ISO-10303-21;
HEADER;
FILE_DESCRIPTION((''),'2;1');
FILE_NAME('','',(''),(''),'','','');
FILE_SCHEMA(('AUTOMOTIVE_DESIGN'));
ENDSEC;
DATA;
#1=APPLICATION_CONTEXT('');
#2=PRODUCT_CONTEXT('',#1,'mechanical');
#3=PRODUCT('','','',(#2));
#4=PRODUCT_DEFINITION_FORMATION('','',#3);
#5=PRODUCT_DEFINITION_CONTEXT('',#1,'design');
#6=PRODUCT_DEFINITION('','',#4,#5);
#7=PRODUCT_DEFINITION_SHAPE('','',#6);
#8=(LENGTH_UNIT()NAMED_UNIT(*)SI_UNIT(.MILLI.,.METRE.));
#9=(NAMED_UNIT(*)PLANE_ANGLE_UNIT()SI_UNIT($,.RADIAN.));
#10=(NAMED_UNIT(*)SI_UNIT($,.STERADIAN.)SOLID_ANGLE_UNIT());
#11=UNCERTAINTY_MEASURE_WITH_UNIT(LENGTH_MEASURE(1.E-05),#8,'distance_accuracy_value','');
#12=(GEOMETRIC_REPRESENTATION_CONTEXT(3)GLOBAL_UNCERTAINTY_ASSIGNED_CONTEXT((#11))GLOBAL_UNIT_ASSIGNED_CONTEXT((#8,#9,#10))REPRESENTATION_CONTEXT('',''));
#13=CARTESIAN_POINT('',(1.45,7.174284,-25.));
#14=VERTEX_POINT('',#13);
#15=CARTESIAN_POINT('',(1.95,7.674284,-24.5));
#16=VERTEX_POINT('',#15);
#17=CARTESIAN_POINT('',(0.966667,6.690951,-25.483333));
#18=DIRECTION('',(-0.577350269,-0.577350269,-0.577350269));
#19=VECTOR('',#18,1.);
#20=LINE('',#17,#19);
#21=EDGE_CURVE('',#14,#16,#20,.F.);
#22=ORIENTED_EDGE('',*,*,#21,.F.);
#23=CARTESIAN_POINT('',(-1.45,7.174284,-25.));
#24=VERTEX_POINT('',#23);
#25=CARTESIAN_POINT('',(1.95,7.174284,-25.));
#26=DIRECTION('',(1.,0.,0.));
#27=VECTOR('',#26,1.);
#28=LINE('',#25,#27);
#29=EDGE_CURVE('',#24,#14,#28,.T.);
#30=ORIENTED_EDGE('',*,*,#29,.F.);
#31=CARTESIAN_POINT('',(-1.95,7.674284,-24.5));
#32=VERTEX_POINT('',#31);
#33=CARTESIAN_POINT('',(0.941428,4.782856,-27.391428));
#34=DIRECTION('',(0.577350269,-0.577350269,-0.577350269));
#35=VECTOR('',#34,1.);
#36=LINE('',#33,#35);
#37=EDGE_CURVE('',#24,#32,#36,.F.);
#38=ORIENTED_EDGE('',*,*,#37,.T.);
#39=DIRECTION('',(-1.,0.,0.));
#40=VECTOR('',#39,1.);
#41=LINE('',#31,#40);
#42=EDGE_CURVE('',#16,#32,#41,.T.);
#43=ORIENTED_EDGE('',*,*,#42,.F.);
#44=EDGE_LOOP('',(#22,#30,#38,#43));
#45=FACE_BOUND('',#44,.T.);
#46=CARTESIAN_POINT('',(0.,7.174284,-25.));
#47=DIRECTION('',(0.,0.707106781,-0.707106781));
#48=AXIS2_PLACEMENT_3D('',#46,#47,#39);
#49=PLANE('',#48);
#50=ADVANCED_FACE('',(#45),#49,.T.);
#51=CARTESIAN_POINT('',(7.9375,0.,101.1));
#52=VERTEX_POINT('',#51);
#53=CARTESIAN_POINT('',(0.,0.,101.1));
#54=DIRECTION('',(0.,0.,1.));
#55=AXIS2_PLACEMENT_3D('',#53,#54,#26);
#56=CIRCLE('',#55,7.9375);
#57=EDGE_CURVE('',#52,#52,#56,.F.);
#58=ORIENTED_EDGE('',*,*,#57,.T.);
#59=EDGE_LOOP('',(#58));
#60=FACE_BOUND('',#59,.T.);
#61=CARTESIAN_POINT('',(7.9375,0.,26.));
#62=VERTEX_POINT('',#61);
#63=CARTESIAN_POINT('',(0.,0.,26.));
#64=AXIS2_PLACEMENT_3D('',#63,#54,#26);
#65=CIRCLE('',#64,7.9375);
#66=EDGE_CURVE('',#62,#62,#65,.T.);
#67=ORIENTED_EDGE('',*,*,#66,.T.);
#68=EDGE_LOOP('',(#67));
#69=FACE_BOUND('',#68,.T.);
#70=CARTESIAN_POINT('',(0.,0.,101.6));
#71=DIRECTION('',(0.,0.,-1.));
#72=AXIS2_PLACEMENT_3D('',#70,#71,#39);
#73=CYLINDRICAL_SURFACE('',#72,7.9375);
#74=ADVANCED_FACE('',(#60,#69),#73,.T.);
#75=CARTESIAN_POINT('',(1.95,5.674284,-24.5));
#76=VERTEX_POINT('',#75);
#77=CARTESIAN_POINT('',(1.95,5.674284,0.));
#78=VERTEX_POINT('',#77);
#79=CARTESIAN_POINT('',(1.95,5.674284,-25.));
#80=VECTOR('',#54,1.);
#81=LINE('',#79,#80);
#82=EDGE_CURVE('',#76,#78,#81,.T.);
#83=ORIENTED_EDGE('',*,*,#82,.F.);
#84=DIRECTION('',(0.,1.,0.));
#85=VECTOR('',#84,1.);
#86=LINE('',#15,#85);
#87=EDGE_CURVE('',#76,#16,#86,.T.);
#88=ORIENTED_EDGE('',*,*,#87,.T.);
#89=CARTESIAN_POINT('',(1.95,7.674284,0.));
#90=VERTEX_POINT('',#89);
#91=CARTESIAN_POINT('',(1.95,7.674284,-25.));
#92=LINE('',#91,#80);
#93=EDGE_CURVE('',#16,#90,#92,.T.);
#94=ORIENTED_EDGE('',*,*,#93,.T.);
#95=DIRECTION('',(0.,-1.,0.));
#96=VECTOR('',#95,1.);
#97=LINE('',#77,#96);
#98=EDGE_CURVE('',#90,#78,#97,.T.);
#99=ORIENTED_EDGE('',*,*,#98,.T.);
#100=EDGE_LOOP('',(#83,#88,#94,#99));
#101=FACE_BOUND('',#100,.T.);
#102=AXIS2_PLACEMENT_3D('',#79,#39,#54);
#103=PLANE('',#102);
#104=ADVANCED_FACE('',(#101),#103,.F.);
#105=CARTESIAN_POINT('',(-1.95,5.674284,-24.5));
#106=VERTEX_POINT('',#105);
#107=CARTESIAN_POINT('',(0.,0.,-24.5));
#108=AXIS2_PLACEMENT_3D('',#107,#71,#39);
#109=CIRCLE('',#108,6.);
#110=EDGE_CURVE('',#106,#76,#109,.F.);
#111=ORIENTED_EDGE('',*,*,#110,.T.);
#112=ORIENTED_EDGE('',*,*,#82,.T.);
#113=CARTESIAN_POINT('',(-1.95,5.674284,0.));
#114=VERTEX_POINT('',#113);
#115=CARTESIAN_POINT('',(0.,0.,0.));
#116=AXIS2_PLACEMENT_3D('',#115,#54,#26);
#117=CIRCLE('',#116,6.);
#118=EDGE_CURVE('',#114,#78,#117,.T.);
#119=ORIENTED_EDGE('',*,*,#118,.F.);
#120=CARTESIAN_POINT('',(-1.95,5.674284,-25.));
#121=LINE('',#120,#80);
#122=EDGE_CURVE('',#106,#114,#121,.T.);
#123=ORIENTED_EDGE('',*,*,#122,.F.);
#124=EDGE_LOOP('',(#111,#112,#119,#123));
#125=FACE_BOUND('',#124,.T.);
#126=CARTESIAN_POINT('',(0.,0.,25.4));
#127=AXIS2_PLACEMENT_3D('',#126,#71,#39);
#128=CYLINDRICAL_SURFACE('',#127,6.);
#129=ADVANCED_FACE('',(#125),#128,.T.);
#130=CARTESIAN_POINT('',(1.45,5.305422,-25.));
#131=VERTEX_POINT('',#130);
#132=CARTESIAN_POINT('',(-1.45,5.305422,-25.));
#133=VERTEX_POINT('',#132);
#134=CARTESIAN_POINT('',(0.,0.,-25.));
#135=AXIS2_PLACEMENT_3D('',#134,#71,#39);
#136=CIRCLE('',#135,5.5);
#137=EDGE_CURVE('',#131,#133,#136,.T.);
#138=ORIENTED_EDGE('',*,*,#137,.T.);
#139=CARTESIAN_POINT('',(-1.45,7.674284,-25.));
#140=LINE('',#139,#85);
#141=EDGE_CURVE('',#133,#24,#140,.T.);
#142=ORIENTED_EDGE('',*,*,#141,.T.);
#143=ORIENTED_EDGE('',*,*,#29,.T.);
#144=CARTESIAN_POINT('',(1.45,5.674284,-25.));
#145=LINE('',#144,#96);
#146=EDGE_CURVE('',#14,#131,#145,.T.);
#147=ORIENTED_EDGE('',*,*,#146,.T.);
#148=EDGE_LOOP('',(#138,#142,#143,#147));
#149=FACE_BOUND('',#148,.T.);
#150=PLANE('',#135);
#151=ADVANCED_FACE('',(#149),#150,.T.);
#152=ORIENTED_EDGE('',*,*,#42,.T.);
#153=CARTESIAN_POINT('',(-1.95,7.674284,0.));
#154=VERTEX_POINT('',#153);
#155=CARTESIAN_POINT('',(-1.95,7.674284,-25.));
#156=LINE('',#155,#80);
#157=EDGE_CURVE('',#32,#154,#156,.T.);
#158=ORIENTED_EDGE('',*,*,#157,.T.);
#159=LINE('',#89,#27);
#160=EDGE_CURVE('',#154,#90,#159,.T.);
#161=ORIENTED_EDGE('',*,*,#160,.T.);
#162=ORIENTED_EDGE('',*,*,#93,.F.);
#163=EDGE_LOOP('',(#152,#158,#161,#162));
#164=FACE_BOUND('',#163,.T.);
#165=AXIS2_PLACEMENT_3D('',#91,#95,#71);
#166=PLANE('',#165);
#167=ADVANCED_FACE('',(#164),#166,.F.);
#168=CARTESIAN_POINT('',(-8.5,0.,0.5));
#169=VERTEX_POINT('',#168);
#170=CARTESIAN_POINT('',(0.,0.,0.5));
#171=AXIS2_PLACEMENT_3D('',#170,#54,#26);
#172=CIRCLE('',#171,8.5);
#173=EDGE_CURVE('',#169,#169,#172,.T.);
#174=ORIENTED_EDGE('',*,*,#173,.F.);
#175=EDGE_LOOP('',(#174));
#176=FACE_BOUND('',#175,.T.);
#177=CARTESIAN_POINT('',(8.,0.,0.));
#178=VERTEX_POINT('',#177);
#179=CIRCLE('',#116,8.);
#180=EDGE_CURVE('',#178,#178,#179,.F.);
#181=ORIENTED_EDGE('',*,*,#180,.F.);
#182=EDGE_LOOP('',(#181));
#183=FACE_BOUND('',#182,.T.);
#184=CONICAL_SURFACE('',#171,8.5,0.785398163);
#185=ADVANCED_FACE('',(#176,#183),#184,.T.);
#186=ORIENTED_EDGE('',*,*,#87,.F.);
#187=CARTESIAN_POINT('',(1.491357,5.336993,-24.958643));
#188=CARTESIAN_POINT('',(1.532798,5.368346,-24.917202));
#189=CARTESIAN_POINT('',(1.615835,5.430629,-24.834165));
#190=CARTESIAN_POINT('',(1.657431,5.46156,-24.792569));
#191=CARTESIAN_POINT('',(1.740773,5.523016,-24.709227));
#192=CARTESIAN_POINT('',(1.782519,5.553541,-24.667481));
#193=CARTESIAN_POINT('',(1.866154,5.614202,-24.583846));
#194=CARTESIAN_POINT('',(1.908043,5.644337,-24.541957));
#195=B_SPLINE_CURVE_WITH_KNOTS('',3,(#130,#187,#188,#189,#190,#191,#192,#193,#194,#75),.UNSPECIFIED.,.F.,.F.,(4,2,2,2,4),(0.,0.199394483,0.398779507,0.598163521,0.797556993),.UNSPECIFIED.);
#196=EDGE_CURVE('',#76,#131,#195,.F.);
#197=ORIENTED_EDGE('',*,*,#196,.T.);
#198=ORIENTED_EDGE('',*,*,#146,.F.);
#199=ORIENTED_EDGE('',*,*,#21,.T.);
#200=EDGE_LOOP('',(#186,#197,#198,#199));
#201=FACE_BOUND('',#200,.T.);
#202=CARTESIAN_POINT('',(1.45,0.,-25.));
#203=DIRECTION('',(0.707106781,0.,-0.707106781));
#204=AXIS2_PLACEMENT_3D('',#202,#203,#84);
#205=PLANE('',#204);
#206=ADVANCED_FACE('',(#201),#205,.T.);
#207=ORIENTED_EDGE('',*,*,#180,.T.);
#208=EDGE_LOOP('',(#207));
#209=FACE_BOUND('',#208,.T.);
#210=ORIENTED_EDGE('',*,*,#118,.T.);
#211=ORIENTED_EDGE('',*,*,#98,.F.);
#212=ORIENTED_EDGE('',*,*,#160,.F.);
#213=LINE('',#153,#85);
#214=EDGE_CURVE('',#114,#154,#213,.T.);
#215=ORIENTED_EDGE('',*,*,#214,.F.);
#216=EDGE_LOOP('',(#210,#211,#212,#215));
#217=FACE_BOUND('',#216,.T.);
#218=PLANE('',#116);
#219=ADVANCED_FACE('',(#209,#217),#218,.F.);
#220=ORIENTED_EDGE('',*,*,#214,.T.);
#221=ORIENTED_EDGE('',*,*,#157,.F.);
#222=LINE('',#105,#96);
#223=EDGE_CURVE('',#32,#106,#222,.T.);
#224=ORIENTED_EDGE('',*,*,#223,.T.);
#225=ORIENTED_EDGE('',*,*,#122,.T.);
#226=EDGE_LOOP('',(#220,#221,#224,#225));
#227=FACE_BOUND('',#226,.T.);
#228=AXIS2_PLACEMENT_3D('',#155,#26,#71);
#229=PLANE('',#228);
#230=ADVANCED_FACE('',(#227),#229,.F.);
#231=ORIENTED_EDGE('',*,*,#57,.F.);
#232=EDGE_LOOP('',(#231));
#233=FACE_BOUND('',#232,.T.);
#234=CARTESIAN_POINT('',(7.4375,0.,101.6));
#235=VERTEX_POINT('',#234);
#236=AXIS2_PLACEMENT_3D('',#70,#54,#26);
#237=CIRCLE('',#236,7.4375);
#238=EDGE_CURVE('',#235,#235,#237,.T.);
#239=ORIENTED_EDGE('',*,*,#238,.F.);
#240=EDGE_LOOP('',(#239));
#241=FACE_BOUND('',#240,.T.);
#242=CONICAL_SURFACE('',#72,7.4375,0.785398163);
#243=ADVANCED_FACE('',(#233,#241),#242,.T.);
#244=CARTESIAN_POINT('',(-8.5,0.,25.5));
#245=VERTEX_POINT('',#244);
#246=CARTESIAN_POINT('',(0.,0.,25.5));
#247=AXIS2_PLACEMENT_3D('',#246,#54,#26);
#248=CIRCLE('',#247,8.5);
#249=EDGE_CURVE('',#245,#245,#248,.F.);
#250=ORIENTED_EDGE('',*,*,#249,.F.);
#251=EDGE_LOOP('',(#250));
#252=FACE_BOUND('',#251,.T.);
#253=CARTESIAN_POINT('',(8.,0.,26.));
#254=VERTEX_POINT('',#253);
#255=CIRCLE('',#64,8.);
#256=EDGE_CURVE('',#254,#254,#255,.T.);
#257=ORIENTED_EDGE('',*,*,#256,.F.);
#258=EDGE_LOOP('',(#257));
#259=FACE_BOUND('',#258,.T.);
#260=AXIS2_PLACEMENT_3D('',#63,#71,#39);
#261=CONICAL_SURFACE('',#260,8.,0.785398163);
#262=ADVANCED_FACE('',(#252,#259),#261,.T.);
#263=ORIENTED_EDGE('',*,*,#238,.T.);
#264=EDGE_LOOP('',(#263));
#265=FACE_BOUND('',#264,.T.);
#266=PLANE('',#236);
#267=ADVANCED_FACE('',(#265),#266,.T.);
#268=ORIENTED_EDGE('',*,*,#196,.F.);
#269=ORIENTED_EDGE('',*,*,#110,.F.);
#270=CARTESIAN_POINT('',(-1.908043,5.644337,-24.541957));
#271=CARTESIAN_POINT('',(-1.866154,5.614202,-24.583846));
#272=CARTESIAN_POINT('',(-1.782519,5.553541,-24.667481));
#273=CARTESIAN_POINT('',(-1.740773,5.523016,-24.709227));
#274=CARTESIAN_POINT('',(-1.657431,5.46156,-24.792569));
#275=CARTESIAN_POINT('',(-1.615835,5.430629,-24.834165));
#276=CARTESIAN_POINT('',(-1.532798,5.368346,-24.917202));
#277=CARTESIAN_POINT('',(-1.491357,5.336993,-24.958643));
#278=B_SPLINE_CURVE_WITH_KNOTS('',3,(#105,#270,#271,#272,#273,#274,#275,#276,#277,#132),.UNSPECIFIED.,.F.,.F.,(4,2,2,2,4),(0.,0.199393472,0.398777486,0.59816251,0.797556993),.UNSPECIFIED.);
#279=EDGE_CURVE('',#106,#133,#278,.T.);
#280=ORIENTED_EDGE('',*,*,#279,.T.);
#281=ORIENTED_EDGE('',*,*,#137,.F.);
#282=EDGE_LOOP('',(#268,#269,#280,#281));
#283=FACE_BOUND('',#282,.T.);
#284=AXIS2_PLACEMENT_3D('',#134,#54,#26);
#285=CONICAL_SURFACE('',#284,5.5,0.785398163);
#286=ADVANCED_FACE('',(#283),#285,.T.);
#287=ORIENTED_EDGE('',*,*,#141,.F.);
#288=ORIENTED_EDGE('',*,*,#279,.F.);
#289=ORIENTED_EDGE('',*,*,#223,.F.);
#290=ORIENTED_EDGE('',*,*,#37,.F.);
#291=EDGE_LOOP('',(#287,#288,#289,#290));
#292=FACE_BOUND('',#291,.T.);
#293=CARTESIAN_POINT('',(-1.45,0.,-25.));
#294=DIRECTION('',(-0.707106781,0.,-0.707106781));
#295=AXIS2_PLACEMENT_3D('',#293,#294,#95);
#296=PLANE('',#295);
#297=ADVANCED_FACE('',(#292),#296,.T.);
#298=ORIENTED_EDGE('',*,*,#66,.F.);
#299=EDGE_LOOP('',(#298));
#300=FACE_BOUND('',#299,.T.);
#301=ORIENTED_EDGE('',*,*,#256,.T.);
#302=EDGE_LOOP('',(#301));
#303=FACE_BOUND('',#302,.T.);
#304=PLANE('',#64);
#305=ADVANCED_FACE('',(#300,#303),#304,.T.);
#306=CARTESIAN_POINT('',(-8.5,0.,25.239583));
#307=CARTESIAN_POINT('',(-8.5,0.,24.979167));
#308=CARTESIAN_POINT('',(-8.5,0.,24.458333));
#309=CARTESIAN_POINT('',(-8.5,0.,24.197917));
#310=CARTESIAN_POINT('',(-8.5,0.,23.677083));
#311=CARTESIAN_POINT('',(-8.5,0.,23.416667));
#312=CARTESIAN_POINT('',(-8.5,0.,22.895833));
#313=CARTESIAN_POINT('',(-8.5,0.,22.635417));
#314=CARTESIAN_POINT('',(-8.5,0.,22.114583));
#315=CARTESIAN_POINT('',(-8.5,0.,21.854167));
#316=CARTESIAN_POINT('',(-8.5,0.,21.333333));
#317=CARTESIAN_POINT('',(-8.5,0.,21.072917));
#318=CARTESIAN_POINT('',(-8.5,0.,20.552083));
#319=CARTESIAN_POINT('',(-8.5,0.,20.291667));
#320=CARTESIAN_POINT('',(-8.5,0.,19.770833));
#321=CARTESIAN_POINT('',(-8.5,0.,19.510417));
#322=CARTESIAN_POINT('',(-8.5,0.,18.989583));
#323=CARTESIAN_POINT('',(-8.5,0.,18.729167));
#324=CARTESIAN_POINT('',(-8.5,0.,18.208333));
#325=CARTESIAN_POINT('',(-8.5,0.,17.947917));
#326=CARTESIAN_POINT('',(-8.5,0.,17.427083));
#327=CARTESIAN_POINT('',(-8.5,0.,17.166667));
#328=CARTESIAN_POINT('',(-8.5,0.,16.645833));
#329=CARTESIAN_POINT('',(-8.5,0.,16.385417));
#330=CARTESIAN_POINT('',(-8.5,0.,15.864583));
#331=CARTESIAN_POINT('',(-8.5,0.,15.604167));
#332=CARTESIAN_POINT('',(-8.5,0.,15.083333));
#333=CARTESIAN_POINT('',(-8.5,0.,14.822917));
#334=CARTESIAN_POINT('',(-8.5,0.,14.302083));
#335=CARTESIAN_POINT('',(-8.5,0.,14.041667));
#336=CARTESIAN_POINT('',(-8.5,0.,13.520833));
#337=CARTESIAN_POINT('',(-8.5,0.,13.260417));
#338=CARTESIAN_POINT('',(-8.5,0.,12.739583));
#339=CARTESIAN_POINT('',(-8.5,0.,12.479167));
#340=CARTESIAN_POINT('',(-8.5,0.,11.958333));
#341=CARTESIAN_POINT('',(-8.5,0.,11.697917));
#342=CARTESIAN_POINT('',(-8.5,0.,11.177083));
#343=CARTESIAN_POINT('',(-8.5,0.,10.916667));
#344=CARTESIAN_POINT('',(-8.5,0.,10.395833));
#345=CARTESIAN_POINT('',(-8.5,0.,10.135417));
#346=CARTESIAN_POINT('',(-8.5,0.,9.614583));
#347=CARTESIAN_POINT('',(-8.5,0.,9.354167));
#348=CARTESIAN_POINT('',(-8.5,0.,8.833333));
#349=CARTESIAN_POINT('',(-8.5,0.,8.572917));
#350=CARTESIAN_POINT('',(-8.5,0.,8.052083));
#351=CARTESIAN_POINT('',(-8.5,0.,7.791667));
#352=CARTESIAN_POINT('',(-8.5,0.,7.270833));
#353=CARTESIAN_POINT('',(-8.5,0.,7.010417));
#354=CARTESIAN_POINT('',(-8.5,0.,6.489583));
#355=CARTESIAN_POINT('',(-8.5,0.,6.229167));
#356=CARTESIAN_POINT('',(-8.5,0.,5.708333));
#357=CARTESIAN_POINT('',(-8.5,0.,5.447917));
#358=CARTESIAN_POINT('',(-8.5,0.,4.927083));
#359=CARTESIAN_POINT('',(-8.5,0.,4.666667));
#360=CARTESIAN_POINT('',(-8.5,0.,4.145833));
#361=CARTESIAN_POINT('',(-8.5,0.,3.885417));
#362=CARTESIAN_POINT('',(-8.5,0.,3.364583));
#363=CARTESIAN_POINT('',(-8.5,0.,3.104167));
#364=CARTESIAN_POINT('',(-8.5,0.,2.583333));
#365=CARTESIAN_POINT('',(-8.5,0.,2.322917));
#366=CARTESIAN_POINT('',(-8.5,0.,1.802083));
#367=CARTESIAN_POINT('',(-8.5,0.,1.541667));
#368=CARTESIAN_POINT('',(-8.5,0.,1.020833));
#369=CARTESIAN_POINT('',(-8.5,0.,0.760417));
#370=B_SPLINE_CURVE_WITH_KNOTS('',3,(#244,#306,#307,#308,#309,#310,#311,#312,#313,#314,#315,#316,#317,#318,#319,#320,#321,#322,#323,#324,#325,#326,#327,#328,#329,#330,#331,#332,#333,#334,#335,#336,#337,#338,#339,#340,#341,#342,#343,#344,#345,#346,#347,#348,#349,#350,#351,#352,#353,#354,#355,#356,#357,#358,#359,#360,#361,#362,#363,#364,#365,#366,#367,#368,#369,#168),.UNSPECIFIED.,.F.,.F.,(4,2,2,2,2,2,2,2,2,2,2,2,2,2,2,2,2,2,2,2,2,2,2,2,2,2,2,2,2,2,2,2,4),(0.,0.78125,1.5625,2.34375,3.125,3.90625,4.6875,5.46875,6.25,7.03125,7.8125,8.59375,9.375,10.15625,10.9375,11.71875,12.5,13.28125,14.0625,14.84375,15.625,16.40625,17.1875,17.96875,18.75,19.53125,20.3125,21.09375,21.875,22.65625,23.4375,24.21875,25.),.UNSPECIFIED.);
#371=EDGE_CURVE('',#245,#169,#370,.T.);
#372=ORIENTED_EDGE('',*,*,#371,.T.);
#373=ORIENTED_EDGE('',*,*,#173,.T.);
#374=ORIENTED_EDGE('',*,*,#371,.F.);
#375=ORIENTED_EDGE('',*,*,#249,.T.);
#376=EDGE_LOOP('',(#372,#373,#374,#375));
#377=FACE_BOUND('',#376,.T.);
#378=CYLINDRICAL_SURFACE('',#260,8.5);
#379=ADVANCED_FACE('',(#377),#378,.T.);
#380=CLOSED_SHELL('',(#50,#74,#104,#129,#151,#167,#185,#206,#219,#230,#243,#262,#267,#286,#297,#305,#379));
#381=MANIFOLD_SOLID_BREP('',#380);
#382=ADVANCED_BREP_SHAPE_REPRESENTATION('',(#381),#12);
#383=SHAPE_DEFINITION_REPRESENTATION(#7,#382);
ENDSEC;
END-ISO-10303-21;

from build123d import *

# Parameters (mm, degrees)
SKETCH2_R           = 6
BOSS_EXTRUDE1_DEPTH = 25.4
BOSS_EXTRUDE2_START = 25
BOSS_EXTRUDE2_DEPTH = 25
SKETCH4_R           = 8.5
BOSS_EXTRUDE3_DEPTH = 26
SKETCH6_R           = 7.9375
BOSS_EXTRUDE4_DEPTH = 75.6
CHAMFER1_SIZE       = 0.5


with BuildPart() as part:
    # Sketch2 → Boss-Extrude1 (new body)
    with BuildSketch(Plane.XY):
        Circle(SKETCH2_R)
    extrude(amount=BOSS_EXTRUDE1_DEPTH)

    # Sketch3 → Boss-Extrude2 (add)
    with BuildSketch(Plane(origin=(0, 0, 0), x_dir=(-1, 0, 0), z_dir=(0, 0, -1)).offset(BOSS_EXTRUDE2_START)):
        with BuildLine():
            Line((-1.95, 5.674284096), (-1.95, 7.674284096))
            Line((-1.95, 7.674284096), (1.95, 7.674284096))
            Line((1.95, 7.674284096), (1.95, 5.674284096))
            ThreePointArc((1.95, 5.674284096), (0, -6), (-1.95, 5.674284096))
        make_face()
    extrude(amount=-BOSS_EXTRUDE2_DEPTH)

    # Sketch4 → Boss-Extrude3 (add)
    with BuildSketch(Plane.XY):
        with Locations(Location((0, 0, 0), (0, 0, 180))):
            Circle(SKETCH4_R)
    extrude(amount=BOSS_EXTRUDE3_DEPTH)

    # Sketch6 → Boss-Extrude4 (add)
    with BuildSketch(Plane.XY.offset(26)):
        Circle(SKETCH6_R)
    extrude(amount=BOSS_EXTRUDE4_DEPTH)

    # Chamfer1
    chamfer1_edges = [part.edges().sort_by_distance(p)[0] for p in [
        (8.5, 0, 0),
        (8.5, 0, 26),
        (-7.9375, 0, 101.6),
        (0, -6, -25),
        (-1.95, 6.674284096, -25),
        (0, 7.674284096, -25),
        (1.95, 6.674284096, -25),
    ]]
    chamfer(chamfer1_edges, length=CHAMFER1_SIZE)


solid = part.part
